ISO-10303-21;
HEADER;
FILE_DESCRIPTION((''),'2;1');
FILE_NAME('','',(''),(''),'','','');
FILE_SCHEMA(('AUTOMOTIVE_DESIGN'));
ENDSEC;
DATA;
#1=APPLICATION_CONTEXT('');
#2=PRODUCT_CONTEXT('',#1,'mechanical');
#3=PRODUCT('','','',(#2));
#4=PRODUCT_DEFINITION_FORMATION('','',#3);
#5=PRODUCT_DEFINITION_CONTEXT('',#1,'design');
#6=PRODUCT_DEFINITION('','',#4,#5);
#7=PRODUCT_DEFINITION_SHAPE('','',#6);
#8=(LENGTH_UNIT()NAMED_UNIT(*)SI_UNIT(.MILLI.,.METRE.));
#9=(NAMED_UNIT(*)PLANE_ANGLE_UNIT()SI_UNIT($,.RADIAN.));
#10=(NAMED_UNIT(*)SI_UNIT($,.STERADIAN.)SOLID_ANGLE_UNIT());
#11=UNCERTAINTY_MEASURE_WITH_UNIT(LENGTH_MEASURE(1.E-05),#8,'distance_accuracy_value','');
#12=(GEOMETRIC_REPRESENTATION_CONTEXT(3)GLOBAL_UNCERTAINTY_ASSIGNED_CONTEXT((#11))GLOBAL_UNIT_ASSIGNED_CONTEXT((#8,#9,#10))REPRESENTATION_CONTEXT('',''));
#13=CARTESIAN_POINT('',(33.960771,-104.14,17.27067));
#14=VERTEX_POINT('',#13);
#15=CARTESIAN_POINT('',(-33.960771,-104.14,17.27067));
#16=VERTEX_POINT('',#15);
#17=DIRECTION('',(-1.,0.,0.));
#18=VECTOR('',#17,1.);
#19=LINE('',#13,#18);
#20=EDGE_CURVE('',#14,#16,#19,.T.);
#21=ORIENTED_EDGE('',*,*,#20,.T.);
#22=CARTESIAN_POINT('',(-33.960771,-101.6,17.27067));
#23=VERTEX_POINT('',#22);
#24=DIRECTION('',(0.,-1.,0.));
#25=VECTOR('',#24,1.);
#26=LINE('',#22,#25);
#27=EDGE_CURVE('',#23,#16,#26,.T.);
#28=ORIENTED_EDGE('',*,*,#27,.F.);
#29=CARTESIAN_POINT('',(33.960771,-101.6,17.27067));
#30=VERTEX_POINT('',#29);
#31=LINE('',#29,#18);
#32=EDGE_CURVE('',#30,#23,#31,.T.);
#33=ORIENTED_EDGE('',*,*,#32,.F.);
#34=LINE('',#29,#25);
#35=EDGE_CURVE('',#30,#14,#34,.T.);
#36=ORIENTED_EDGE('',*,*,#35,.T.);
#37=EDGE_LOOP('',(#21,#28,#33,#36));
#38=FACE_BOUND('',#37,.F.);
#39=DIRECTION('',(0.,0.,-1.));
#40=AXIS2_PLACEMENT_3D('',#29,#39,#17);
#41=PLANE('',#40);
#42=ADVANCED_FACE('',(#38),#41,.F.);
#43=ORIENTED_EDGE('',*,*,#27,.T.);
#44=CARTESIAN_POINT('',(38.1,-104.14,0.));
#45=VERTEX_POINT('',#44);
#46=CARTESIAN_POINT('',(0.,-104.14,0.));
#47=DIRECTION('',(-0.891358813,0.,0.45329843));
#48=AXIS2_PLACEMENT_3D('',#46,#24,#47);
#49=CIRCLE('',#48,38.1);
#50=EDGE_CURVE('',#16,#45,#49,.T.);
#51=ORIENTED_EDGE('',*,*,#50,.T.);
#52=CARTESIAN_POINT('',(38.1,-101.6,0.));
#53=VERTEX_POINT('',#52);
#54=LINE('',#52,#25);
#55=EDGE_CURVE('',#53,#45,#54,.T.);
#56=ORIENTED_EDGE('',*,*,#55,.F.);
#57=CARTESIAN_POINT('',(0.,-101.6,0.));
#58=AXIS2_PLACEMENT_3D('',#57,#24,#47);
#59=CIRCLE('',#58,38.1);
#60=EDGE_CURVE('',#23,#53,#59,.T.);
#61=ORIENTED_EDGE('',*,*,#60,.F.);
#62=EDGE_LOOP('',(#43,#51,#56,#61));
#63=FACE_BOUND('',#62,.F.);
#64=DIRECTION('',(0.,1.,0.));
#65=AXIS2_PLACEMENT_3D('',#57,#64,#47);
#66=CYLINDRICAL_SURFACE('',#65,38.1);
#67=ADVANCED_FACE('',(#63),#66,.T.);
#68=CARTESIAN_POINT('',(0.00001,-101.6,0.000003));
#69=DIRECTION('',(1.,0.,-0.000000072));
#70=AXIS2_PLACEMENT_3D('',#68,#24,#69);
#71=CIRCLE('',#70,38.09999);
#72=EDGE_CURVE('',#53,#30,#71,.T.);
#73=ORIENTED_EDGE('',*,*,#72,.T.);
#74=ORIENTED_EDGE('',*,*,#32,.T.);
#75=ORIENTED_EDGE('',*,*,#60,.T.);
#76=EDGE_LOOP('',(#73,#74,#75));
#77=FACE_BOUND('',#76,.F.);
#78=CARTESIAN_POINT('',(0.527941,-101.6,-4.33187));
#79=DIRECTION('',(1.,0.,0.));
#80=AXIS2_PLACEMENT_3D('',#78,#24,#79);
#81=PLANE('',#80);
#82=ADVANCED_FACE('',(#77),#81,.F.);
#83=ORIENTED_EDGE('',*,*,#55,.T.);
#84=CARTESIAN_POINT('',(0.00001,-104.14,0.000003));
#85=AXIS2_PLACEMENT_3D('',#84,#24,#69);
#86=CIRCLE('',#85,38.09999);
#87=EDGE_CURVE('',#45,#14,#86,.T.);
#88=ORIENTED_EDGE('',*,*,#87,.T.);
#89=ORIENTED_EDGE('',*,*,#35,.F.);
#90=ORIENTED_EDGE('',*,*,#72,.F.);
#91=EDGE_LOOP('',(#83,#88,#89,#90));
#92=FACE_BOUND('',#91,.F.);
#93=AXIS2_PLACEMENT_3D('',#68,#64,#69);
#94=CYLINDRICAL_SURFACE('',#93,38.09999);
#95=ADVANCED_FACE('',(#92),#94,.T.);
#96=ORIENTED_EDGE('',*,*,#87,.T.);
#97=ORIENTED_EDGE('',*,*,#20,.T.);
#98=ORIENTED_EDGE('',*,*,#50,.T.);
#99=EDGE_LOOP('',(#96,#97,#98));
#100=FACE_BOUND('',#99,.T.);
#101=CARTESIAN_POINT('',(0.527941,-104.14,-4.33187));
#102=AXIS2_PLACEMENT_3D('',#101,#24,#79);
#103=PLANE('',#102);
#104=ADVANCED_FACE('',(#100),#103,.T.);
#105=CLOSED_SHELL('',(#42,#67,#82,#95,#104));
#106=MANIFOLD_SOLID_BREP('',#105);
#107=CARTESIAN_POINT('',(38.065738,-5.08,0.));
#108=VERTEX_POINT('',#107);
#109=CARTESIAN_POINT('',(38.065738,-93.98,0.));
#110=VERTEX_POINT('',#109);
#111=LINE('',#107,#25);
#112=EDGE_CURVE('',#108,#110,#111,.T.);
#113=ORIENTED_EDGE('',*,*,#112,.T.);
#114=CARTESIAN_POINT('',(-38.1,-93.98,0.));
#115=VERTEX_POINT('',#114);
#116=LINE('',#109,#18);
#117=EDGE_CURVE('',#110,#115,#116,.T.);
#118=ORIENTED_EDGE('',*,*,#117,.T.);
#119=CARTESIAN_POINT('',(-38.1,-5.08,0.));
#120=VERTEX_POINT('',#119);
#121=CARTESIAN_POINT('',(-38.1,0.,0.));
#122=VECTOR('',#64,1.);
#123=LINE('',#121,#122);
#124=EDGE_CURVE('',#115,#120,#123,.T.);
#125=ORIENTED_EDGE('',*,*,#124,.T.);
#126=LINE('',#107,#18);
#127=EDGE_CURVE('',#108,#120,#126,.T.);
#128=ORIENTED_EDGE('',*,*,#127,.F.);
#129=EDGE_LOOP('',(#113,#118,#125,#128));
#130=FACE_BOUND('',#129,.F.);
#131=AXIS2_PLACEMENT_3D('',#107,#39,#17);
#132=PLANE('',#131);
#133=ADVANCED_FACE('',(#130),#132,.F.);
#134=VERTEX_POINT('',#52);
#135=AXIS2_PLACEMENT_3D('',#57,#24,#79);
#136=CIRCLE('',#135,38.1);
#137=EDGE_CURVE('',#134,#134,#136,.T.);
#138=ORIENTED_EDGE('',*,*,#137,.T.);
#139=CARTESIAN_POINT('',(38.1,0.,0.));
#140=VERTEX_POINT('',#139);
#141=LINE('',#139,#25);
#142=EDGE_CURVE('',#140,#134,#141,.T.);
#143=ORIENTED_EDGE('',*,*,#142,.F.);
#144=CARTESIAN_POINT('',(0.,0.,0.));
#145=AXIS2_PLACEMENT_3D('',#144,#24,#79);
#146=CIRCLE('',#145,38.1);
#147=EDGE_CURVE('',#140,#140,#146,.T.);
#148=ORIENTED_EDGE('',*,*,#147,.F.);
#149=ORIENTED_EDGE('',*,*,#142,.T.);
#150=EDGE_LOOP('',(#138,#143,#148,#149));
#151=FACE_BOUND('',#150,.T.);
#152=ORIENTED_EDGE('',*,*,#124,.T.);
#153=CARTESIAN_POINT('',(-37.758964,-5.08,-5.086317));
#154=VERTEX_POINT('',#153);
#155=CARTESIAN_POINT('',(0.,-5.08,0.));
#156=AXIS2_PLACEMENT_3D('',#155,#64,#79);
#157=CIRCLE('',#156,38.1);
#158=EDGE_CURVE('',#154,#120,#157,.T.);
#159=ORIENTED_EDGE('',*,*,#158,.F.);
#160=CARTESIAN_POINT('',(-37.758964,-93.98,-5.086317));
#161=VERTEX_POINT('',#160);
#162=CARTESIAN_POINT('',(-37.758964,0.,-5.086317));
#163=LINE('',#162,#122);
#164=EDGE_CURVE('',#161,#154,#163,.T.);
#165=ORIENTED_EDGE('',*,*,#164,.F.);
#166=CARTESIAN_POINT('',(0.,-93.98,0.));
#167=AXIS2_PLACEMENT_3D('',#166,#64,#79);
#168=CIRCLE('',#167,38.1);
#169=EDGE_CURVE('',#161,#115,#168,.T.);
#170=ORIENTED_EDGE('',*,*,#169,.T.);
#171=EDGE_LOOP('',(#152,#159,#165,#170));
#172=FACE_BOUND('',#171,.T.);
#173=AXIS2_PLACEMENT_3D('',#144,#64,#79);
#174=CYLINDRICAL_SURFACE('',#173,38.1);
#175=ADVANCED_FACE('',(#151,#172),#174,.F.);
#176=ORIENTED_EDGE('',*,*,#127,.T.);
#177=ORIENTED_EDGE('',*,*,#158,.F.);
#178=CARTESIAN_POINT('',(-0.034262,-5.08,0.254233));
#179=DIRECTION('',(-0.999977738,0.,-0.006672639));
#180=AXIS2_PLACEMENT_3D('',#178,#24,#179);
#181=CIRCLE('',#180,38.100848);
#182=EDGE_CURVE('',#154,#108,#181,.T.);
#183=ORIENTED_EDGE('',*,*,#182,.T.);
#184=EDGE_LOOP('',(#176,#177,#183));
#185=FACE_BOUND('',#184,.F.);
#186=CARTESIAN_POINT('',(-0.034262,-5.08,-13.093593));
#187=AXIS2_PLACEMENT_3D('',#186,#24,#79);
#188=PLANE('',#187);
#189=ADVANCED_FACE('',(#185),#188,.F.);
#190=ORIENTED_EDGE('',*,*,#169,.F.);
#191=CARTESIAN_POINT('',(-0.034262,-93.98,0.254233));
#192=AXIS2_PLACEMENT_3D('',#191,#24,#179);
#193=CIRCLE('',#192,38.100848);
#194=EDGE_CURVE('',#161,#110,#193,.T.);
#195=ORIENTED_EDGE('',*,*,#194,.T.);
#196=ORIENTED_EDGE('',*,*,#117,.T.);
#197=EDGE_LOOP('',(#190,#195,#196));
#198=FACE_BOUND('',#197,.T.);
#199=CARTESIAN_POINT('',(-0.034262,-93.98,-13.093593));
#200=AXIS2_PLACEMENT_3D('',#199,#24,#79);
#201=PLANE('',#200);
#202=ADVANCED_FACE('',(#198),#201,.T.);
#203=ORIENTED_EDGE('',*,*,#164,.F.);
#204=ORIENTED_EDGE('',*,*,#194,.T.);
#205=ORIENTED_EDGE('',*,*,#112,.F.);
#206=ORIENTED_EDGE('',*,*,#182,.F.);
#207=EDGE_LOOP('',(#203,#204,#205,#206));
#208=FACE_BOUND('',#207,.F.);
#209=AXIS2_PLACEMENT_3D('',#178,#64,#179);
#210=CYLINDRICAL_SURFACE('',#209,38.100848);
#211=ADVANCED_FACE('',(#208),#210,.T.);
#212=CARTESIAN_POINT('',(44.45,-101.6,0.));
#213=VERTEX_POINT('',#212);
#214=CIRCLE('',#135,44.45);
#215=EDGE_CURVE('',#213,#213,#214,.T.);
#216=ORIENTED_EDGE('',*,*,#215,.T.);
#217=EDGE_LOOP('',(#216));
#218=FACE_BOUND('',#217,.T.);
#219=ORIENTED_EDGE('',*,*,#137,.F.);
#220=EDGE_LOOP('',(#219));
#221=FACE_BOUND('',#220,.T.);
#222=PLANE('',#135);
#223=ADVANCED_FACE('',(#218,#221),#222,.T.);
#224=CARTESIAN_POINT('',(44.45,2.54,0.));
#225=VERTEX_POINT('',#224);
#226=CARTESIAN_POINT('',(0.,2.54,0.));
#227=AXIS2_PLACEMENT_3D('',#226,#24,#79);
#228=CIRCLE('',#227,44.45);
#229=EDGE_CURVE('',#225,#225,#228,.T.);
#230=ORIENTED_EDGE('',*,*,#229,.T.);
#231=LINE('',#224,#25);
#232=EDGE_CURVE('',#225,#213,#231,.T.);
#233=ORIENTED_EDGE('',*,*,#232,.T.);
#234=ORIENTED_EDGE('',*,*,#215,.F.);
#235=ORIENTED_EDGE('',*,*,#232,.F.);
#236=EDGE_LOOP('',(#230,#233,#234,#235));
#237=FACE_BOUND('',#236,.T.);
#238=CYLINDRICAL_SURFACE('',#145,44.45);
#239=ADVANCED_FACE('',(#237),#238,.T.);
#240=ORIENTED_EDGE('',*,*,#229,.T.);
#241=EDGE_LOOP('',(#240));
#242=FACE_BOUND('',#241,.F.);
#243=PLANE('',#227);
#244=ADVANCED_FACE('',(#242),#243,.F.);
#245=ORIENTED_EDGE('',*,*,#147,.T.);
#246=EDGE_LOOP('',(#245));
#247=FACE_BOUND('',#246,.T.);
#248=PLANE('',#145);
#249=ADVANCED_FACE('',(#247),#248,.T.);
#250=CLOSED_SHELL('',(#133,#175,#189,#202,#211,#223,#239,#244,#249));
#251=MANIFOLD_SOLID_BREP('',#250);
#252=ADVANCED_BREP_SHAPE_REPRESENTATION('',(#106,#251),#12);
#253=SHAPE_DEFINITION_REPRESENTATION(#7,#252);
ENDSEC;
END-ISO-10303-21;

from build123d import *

# Parameters (mm, degrees)
F0_R     = 44.45
F0_R_2   = 38.1
F1_DEPTH = 101.6
F2_R     = 44.45
F3_DEPTH = 2.54
F6_DEPTH = 88.9
F8_DEPTH = 2.54


with BuildPart() as f1:
    # F0 (on Front) → F1 (new body)
    with BuildSketch(Plane.XZ):
        Circle(F0_R)
        Circle(F0_R_2, mode=Mode.SUBTRACT)
    extrude(amount=F1_DEPTH)

    # F2 (on Front) → F3 (join)
    with BuildSketch(Plane.XZ):
        Circle(F2_R)
    extrude(amount=-F3_DEPTH)

    # F5 (on offset) → F6 (join)
    with BuildSketch(Plane.XZ.offset(5.08)):
        with BuildLine():
            Line((38.065738, 0), (-38.134262, 0))
            ThreePointArc((-38.134262, 0), (-0.034262, -37.846615), (38.065738, 0))
        make_face()
    extrude(amount=F6_DEPTH)


with BuildPart() as f8:
    # F7 (on face) → F8 (new body)
    with BuildSketch(Plane.XZ.offset(101.6)):
        with BuildLine():
            Line((33.960771, 17.27067), (-33.960771, 17.27067))
            ThreePointArc((-33.960771, 17.27067), (-8.879883, -37.050745), (38.1, 0))
            ThreePointArc((38.1, 0), (37.050745, 8.879883), (33.960771, 17.27067))
        make_face()
    extrude(amount=F8_DEPTH)


solid = Compound([f1.part, f8.part])
